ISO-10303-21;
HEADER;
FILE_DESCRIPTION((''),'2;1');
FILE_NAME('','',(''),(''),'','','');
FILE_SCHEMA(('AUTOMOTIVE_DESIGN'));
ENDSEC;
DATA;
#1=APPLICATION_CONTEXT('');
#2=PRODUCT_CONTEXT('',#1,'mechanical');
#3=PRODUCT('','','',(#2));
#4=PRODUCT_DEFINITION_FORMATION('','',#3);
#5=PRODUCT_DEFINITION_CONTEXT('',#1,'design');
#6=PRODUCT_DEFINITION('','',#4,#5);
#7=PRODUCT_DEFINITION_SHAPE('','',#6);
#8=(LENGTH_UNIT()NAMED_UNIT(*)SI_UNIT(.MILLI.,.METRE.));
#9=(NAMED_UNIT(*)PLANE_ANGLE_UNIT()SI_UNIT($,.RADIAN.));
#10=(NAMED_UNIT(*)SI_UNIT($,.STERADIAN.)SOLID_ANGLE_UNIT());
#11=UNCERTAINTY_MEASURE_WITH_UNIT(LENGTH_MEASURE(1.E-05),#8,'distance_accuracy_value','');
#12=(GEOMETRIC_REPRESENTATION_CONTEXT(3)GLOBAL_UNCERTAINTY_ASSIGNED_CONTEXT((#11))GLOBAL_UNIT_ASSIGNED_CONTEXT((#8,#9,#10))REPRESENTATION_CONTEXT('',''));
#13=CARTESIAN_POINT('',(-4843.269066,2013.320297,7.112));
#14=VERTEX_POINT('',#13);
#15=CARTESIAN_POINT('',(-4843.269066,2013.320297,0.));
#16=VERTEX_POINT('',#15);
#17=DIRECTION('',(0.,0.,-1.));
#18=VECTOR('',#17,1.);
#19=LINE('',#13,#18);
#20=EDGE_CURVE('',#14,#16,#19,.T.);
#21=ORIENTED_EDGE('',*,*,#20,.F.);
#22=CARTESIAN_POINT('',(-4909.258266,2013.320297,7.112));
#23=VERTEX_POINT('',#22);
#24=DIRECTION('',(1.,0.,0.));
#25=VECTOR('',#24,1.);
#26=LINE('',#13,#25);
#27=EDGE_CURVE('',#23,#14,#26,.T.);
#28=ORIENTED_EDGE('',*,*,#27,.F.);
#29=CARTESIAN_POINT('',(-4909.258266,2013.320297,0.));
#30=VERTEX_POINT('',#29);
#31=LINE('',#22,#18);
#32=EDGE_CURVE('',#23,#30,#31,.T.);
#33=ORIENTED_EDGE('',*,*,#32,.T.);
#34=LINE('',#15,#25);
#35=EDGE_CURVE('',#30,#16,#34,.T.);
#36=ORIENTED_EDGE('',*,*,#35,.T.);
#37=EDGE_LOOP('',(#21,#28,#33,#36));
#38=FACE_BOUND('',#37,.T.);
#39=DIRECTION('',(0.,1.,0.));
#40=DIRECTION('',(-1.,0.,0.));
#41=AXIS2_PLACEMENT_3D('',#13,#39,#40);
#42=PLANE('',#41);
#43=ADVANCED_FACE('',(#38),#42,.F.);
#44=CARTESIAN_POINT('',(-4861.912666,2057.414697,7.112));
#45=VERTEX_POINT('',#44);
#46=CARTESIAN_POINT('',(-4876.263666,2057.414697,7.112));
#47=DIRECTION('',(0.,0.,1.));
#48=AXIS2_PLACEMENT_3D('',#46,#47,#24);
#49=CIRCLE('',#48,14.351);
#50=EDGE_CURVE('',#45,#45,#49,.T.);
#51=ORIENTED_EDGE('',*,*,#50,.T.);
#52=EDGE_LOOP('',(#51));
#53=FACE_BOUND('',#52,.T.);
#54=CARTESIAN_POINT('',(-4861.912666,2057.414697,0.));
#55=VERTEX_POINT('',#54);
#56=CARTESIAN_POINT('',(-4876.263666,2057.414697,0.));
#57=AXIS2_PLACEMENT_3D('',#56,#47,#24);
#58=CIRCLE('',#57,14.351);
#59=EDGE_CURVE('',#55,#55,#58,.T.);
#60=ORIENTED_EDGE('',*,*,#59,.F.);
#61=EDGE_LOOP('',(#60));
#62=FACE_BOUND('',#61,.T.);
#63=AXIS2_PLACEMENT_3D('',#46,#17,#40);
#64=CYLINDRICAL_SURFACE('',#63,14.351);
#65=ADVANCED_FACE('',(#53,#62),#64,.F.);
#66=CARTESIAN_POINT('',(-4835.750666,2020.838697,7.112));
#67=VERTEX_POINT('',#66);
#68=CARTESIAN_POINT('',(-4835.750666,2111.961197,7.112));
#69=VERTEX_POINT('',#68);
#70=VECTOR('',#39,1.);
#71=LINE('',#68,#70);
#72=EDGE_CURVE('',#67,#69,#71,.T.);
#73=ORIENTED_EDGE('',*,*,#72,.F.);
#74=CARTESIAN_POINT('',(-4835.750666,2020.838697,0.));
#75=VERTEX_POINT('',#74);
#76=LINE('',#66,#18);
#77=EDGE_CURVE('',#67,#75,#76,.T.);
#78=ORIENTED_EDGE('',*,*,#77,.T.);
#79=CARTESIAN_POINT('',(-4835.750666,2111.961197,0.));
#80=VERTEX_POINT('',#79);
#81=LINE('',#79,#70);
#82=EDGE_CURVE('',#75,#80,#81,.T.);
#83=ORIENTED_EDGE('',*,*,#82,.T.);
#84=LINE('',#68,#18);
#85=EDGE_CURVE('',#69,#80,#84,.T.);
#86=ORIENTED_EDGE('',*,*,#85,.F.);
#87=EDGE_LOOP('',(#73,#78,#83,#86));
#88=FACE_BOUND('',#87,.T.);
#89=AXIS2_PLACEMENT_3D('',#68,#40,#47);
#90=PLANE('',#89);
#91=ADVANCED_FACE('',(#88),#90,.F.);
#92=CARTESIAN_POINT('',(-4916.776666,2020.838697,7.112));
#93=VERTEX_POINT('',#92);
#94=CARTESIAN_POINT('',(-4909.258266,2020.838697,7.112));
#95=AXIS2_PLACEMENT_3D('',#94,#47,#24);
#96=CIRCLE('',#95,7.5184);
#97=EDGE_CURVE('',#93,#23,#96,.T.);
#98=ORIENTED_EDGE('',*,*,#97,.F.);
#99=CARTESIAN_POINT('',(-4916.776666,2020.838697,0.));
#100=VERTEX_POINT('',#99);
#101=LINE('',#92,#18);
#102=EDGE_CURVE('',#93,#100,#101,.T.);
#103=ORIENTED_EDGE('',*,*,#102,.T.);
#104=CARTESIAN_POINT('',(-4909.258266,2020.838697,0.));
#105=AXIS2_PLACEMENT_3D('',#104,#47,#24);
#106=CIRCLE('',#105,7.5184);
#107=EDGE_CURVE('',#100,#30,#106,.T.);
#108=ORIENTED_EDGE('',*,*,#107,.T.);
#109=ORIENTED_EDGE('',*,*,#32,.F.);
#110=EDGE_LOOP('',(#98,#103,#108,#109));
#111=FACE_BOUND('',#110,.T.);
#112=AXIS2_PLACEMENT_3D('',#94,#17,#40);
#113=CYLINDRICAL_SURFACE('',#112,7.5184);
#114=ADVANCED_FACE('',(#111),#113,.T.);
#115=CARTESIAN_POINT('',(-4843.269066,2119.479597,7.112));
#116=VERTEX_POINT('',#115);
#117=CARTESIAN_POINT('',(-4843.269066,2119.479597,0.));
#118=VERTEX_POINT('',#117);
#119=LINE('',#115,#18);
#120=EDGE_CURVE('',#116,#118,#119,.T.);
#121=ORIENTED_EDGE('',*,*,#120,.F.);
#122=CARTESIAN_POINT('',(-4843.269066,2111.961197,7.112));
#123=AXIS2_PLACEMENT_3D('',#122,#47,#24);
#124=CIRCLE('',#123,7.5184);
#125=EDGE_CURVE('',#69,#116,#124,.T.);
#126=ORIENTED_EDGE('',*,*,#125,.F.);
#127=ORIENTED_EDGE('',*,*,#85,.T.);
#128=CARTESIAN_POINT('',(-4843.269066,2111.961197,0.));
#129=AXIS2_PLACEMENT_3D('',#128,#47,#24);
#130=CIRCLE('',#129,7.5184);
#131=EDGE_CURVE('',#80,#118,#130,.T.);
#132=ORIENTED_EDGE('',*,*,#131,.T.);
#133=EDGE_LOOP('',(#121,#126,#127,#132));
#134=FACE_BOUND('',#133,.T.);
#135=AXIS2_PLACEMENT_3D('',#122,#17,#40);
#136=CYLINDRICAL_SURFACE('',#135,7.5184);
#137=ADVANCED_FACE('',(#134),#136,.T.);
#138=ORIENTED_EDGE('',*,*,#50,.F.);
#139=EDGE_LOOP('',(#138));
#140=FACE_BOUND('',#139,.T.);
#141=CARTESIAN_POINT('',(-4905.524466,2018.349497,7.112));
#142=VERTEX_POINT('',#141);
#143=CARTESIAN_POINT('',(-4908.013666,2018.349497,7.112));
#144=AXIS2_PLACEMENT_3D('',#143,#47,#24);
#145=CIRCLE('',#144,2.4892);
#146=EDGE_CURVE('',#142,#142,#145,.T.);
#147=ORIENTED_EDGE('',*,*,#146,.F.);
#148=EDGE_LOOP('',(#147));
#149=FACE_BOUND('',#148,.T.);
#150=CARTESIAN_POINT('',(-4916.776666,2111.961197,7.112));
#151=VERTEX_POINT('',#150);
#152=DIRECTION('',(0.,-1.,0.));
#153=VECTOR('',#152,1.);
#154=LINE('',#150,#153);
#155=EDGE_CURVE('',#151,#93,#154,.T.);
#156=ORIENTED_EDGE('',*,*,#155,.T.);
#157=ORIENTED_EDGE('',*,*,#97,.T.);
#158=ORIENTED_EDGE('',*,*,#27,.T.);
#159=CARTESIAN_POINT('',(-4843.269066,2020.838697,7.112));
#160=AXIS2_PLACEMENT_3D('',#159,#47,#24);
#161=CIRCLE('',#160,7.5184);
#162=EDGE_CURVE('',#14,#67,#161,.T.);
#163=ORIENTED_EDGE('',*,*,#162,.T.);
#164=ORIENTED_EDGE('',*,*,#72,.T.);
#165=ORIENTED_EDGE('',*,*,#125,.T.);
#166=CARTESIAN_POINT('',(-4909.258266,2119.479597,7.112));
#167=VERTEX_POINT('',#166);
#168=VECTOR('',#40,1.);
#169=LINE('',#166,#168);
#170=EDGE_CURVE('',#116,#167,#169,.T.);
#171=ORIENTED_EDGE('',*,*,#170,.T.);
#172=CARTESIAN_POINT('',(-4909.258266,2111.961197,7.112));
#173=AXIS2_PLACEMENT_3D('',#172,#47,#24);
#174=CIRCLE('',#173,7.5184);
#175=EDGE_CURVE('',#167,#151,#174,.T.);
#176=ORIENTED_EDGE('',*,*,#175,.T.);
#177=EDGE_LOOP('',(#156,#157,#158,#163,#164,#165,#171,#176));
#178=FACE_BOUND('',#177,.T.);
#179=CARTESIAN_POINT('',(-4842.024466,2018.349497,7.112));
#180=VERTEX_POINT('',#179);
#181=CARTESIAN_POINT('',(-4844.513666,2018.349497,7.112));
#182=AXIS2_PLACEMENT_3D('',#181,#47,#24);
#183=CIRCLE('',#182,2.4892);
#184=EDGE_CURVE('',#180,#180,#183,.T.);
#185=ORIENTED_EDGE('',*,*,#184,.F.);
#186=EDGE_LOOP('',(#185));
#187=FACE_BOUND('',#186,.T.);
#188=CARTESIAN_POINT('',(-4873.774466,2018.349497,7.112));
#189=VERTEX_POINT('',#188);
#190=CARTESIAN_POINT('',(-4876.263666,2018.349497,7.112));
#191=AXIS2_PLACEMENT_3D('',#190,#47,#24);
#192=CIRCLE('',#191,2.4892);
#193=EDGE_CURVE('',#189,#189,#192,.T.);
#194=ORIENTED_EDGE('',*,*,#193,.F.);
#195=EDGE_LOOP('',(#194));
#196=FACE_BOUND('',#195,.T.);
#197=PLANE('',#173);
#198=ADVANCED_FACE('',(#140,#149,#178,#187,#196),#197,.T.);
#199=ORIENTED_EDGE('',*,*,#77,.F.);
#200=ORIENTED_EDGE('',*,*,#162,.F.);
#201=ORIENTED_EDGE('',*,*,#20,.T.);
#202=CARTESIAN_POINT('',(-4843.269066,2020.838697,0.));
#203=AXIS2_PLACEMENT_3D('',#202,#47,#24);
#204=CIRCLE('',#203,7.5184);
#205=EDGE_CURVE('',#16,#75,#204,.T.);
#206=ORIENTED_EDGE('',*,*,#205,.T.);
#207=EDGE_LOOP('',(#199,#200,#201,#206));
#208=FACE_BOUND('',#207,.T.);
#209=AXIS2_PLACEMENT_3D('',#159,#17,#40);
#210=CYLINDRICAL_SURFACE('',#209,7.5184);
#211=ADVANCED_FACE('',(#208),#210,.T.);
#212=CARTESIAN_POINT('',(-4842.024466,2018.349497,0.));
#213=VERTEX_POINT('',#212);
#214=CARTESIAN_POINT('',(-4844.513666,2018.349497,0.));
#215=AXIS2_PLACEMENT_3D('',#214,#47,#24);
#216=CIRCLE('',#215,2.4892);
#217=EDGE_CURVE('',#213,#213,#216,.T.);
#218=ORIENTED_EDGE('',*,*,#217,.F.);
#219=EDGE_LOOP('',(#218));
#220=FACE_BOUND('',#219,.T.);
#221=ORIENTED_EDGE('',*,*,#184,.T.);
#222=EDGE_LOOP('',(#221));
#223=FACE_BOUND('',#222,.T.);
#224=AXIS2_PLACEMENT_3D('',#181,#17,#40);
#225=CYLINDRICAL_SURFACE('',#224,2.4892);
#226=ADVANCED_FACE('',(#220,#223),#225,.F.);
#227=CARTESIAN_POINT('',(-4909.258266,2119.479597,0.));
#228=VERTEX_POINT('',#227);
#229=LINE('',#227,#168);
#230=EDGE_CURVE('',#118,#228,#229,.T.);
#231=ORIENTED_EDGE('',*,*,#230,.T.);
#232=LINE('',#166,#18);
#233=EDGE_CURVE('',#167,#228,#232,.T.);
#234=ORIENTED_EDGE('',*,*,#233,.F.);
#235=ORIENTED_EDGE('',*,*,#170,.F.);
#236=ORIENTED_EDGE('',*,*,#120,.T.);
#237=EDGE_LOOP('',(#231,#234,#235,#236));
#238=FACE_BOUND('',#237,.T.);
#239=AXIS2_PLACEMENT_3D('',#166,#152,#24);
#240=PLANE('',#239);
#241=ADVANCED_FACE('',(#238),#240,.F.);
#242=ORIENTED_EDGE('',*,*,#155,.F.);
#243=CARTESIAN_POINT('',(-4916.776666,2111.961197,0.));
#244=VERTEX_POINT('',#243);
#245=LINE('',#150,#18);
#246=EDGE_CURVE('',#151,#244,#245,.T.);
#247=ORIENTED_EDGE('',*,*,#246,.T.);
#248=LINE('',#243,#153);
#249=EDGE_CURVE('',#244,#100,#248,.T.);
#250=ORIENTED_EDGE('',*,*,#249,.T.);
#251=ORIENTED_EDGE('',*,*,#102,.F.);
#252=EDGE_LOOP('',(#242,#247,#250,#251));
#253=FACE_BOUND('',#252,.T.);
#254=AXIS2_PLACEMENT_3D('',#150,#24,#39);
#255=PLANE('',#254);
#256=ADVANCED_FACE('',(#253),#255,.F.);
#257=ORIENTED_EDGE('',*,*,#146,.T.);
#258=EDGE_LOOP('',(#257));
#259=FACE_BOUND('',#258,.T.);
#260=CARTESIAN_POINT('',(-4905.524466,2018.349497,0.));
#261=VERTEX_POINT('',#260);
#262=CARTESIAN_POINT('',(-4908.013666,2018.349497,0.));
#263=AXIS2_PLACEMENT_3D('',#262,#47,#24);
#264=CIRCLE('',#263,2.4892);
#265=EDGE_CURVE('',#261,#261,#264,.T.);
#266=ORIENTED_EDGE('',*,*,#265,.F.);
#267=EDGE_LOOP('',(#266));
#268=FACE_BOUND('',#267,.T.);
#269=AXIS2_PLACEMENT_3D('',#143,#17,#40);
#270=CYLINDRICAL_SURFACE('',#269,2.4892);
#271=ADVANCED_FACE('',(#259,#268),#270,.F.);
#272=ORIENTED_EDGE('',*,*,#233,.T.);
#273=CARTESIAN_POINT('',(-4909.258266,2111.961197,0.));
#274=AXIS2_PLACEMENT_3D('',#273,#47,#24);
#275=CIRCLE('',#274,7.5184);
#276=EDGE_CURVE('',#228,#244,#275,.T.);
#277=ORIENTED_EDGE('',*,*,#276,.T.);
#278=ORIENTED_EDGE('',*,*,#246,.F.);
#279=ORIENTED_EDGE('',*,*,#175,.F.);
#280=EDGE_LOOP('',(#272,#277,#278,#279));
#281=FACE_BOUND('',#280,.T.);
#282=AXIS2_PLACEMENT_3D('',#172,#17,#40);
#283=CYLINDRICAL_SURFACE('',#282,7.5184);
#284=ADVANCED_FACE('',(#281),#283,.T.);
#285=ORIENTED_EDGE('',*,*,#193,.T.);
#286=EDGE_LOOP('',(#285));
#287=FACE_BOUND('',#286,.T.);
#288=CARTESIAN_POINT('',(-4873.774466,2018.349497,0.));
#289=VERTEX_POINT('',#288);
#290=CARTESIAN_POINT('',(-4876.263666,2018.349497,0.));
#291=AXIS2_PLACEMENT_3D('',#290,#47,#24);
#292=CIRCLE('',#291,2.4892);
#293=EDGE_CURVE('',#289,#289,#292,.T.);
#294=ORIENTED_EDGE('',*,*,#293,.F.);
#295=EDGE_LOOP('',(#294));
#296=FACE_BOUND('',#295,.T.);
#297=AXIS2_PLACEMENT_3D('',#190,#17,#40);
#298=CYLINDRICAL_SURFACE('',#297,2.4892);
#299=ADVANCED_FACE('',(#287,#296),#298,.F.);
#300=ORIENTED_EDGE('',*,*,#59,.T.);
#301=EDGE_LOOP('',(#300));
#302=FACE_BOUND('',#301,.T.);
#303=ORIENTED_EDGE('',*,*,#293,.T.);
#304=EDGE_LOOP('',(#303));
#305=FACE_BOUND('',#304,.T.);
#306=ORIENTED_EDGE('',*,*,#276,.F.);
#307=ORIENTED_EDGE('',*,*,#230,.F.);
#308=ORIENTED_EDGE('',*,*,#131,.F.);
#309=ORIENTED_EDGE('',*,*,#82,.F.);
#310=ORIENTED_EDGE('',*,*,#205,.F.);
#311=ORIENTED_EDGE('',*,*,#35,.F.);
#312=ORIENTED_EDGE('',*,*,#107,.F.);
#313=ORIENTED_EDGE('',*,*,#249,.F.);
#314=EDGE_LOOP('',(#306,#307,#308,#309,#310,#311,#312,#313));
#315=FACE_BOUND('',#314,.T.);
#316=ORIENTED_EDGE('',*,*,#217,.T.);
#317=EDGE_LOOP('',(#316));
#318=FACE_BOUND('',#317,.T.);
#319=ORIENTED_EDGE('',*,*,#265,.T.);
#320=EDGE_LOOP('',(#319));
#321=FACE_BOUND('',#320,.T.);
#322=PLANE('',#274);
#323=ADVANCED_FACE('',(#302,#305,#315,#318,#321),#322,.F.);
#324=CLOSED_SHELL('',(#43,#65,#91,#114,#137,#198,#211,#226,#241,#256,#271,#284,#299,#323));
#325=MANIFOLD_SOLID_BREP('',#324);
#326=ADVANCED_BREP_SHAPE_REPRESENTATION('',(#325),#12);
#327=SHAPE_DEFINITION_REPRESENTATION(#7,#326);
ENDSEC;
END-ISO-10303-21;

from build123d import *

# Parameters (mm, degrees)
SKETCH1_R           = 2.4892
SKETCH1_R_2         = 14.351
BOSS_EXTRUDE1_DEPTH = 7.112


with BuildPart() as part:
    # Sketch1 → Boss-Extrude1 (new body)
    with BuildSketch(Plane.XY):
        with BuildLine():
            Line((-4909.258266333, 2119.479597448), (-4843.269066333, 2119.479597448))
            ThreePointArc((-4843.269066333, 2119.479597448), (-4837.95275471, 2117.277509072), (-4835.750666333, 2111.961197448))
            Line((-4835.750666333, 2111.961197448), (-4835.750666333, 2020.838697448))
            ThreePointArc((-4835.750666333, 2020.838697448), (-4837.95275471, 2015.522385824), (-4843.269066333, 2013.320297448))
            Line((-4843.269066333, 2013.320297448), (-4909.258266333, 2013.320297448))
            ThreePointArc((-4909.258266333, 2013.320297448), (-4914.574577957, 2015.522385824), (-4916.776666333, 2020.838697448))
            Line((-4916.776666333, 2020.838697448), (-4916.776666333, 2111.961197448))
            ThreePointArc((-4916.776666333, 2111.961197448), (-4914.574577957, 2117.277509072), (-4909.258266333, 2119.479597448))
        make_face()
        with Locations((-4876.263666333, 2018.349497448)):
            Circle(SKETCH1_R, mode=Mode.SUBTRACT)
        with Locations((-4844.513666333, 2018.349497448)):
            Circle(SKETCH1_R, mode=Mode.SUBTRACT)
        with Locations((-4908.013666333, 2018.349497448)):
            Circle(SKETCH1_R, mode=Mode.SUBTRACT)
        with Locations((-4876.263666333, 2057.414697448)):
            Circle(SKETCH1_R_2, mode=Mode.SUBTRACT)
    extrude(amount=BOSS_EXTRUDE1_DEPTH)


solid = part.part
